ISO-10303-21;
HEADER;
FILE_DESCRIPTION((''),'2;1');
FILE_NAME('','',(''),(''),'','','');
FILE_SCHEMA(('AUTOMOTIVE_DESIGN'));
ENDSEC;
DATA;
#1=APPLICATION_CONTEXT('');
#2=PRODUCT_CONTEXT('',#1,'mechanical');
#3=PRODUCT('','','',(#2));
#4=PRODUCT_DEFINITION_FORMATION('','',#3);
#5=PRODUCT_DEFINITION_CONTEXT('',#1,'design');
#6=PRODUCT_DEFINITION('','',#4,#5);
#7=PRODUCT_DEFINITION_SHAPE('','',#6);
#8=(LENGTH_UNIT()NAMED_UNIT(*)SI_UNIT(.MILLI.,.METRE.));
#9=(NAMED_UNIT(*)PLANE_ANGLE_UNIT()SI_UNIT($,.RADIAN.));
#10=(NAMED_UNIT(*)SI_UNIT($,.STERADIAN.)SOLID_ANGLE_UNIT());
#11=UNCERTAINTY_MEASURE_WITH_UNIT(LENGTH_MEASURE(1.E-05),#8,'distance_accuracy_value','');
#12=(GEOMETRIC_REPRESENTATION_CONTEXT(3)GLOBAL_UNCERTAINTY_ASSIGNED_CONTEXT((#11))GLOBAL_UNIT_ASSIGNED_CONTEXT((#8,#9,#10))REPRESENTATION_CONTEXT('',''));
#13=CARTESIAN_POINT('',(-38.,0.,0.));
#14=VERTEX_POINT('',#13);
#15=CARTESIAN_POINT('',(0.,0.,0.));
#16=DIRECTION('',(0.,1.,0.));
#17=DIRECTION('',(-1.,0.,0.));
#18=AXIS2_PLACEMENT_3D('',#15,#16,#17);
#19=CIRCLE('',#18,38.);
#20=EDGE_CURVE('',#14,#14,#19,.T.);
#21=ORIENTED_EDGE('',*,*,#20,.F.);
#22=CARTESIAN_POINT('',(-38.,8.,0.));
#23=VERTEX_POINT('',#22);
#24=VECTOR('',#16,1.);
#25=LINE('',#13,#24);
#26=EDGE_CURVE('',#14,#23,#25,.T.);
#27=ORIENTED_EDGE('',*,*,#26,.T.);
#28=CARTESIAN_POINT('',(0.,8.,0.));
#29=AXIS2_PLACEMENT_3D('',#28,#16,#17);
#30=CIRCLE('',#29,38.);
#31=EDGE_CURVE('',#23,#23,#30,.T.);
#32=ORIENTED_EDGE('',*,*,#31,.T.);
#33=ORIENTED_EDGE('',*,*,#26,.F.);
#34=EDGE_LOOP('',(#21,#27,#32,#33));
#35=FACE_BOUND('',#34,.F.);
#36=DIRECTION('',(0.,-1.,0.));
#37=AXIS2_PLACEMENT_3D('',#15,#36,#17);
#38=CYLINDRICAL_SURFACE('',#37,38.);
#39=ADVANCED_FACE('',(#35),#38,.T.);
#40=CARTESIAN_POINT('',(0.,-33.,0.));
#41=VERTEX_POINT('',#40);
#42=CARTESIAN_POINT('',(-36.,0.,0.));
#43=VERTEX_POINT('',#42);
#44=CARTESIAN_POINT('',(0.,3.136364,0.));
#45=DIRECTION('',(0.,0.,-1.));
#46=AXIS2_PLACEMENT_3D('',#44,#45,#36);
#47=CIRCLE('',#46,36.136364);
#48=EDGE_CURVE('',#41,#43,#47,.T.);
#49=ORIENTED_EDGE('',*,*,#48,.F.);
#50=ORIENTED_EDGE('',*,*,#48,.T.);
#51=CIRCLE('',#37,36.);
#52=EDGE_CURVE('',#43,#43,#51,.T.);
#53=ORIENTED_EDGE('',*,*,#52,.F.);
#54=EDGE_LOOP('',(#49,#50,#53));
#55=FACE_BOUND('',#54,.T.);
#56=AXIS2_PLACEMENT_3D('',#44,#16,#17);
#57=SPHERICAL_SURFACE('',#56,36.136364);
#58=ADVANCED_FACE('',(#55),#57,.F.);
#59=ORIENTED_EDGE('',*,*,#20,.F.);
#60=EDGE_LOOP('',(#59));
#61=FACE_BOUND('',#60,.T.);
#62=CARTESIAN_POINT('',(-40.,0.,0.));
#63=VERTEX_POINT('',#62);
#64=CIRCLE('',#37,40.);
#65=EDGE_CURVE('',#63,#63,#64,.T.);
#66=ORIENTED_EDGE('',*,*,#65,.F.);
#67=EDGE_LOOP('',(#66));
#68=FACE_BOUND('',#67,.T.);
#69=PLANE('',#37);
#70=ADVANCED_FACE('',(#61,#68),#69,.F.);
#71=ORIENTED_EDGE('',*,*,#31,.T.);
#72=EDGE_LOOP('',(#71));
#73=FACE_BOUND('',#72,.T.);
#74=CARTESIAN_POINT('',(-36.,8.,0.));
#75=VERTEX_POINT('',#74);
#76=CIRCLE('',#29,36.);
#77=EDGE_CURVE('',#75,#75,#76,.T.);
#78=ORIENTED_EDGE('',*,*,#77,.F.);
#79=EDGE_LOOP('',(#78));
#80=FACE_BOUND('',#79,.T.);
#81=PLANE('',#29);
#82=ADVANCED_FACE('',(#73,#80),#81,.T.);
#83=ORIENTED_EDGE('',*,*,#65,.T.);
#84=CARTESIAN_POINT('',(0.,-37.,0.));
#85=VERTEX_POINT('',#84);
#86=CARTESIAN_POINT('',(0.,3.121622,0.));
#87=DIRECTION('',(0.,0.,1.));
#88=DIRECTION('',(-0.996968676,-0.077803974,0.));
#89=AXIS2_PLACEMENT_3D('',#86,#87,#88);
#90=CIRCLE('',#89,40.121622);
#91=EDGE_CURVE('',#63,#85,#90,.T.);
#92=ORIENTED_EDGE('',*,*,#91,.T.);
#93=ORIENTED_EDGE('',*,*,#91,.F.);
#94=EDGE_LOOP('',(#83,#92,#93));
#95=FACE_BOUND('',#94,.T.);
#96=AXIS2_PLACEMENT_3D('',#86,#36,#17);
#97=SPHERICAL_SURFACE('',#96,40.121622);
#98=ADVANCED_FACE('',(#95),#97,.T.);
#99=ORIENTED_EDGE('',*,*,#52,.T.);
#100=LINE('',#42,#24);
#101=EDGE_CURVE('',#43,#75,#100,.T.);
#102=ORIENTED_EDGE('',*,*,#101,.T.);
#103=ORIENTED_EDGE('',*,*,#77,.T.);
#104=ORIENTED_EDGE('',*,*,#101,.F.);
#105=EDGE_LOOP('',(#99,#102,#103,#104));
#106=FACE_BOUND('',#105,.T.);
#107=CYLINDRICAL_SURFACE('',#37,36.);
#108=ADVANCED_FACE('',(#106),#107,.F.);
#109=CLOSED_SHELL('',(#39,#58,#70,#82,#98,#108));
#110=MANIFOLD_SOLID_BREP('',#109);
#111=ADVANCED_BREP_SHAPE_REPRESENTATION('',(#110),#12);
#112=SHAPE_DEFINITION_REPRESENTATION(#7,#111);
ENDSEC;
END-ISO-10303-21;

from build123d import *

# Parameters (mm, degrees)
F2_R     = 38
F2_R_2   = 36
F3_DEPTH = 8


with BuildPart() as f1:
    # F0 (on Top) → F1 (revolve)
    with BuildSketch(Plane.XY):
        with BuildLine():
            ThreePointArc((0, -33), (-24.4182308941, -23.50170643), (-36, 0))
            Line((-36, 0), (-40, 0))
            ThreePointArc((-40, 0), (-27.2442654517, -26.3316383261), (0, -37))
            Line((0, -37), (0, -33))
        make_face()
    revolve(axis=Axis((0, -35, 0), (0, -1, 0)))

    # F2 (on face) → F3 (join)
    with BuildSketch(Plane(origin=(0, 0, 0), x_dir=(-1, 0, 0), z_dir=(0, 1, 0))):
        Circle(F2_R)
        Circle(F2_R_2, mode=Mode.SUBTRACT)
    extrude(amount=F3_DEPTH)


solid = f1.part
